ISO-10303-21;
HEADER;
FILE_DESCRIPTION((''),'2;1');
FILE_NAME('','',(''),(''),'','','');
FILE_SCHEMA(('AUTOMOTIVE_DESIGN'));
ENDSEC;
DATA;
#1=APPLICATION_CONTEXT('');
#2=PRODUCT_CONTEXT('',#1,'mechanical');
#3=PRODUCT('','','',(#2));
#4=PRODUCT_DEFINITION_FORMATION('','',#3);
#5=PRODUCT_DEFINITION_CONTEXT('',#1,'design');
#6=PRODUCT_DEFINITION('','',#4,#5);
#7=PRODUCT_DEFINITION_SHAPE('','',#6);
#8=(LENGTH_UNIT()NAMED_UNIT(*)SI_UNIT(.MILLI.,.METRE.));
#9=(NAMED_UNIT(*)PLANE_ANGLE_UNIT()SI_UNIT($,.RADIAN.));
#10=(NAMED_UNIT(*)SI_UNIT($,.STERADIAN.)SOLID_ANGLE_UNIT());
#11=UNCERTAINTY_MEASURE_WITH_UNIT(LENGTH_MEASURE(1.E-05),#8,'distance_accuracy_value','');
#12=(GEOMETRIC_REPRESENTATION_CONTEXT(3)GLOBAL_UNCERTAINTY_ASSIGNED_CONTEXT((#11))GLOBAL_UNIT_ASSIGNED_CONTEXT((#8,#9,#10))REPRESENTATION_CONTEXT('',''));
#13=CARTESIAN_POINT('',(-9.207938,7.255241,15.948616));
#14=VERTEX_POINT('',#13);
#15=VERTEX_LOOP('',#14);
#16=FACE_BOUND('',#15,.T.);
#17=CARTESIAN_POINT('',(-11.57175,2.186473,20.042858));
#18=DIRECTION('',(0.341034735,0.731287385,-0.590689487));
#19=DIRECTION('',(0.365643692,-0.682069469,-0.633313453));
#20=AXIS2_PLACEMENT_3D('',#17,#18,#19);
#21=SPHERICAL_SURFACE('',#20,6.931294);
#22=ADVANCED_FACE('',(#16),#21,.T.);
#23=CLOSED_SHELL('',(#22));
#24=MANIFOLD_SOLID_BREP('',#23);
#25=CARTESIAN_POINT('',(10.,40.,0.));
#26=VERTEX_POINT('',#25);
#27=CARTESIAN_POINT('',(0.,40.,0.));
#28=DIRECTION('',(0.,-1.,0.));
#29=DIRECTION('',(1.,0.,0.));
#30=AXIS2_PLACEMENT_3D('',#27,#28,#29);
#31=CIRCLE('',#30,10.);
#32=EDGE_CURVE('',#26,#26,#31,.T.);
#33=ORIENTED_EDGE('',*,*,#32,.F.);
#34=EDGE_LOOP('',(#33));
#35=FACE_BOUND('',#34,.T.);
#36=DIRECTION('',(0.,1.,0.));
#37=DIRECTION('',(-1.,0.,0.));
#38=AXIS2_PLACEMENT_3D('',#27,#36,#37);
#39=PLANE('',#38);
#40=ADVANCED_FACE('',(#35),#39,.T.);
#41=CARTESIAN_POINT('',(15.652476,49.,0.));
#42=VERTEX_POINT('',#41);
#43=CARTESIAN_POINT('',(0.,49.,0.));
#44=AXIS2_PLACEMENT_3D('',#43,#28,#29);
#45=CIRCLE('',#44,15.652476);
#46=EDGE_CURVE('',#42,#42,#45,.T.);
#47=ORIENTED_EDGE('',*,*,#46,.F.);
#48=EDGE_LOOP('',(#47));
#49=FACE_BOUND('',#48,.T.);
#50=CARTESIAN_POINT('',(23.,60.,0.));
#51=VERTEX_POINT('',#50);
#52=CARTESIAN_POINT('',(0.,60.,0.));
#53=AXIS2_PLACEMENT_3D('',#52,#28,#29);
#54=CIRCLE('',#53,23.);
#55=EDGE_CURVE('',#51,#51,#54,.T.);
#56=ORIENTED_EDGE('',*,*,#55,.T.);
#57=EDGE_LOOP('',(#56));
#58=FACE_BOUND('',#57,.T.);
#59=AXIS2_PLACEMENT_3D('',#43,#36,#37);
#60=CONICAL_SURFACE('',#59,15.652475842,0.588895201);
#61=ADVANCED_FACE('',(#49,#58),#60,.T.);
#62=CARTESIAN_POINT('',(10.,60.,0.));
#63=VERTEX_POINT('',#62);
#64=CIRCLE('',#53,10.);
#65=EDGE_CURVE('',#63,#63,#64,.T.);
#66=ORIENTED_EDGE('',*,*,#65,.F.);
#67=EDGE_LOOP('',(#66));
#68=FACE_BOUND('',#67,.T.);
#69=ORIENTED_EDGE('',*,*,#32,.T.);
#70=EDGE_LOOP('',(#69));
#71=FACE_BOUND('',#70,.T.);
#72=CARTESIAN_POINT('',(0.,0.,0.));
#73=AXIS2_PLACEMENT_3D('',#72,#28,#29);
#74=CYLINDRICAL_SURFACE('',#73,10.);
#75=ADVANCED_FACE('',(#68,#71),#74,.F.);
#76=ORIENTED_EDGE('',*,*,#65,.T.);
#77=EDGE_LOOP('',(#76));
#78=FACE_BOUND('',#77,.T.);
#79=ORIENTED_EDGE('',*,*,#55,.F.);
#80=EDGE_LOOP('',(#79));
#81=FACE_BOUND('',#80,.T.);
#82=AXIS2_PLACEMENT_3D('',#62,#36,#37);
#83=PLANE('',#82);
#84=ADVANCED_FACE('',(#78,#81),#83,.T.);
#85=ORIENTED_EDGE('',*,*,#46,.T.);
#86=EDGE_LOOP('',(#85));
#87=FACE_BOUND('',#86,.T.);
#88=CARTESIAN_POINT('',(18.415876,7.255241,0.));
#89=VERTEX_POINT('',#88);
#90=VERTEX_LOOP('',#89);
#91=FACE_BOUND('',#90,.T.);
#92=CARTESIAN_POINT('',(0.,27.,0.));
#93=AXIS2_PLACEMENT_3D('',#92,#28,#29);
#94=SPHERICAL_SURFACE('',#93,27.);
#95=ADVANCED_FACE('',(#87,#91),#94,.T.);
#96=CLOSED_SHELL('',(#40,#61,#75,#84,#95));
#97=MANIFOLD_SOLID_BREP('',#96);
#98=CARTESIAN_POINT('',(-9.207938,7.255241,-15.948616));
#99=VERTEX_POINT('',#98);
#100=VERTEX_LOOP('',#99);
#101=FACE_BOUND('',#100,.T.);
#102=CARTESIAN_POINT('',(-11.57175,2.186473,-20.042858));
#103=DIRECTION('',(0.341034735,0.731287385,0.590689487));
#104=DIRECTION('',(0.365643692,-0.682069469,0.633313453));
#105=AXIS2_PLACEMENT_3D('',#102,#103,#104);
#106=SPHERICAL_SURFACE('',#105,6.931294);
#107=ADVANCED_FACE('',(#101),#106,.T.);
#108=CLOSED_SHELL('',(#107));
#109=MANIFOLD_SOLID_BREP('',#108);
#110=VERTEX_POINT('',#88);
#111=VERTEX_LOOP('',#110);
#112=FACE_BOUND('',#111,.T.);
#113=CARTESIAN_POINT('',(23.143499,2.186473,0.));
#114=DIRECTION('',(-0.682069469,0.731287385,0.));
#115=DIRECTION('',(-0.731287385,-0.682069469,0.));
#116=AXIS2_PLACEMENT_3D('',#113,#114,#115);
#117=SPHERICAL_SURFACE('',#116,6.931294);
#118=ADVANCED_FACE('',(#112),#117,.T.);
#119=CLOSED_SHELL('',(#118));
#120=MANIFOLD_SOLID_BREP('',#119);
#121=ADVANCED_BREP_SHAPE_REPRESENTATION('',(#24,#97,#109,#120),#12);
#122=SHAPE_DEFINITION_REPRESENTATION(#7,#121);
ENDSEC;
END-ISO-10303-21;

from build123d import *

# Parameters (mm, degrees)
CIRPATTERN1_COUNT = 3


with BuildPart() as part:
    # Sketch1 → Revolve1 (revolve)
    with BuildSketch(Plane.XY):
        with BuildLine():
            Line((0, 0), (0, 40))
            Line((0, 40), (10, 40))
            Line((10, 40), (10, 60))
            Line((10, 60), (23, 60))
            Line((23, 60), (15.652475842, 49))
            ThreePointArc((15.652475842, 49), (25.719642299, 18.784161637), (0, 0))
        make_face()
    revolve(axis=Axis((0, 0, 0), (0, 1, 0)))


with BuildPart() as body_2:
    # Sketch2 → Revolve2 (revolve)
    with BuildSketch(Plane.XY):
        with BuildLine():
            Line((18.415875664, 7.255240606), (27.871123101, -2.882294478))
            ThreePointArc((27.871123101, -2.882294478), (28.212266925, 6.914096782), (18.415875664, 7.255240606))
        make_face()
    revolve(axis=Axis((18.415875664, 7.255240606, 0), (0.6820694690341359, -0.7312873849667394, 0)))


with BuildPart() as cirpattern1_1:
    # CirPattern1: pattern copy
    add(body_2.part.rotate(Axis((0, 0, 0), (0, 1, 0)), 1 * 360 / CIRPATTERN1_COUNT))


with BuildPart() as cirpattern1_2:
    # CirPattern1: pattern copy
    add(body_2.part.rotate(Axis((0, 0, 0), (0, 1, 0)), 2 * 360 / CIRPATTERN1_COUNT))


solid = Compound([part.part, body_2.part, cirpattern1_1.part, cirpattern1_2.part])
